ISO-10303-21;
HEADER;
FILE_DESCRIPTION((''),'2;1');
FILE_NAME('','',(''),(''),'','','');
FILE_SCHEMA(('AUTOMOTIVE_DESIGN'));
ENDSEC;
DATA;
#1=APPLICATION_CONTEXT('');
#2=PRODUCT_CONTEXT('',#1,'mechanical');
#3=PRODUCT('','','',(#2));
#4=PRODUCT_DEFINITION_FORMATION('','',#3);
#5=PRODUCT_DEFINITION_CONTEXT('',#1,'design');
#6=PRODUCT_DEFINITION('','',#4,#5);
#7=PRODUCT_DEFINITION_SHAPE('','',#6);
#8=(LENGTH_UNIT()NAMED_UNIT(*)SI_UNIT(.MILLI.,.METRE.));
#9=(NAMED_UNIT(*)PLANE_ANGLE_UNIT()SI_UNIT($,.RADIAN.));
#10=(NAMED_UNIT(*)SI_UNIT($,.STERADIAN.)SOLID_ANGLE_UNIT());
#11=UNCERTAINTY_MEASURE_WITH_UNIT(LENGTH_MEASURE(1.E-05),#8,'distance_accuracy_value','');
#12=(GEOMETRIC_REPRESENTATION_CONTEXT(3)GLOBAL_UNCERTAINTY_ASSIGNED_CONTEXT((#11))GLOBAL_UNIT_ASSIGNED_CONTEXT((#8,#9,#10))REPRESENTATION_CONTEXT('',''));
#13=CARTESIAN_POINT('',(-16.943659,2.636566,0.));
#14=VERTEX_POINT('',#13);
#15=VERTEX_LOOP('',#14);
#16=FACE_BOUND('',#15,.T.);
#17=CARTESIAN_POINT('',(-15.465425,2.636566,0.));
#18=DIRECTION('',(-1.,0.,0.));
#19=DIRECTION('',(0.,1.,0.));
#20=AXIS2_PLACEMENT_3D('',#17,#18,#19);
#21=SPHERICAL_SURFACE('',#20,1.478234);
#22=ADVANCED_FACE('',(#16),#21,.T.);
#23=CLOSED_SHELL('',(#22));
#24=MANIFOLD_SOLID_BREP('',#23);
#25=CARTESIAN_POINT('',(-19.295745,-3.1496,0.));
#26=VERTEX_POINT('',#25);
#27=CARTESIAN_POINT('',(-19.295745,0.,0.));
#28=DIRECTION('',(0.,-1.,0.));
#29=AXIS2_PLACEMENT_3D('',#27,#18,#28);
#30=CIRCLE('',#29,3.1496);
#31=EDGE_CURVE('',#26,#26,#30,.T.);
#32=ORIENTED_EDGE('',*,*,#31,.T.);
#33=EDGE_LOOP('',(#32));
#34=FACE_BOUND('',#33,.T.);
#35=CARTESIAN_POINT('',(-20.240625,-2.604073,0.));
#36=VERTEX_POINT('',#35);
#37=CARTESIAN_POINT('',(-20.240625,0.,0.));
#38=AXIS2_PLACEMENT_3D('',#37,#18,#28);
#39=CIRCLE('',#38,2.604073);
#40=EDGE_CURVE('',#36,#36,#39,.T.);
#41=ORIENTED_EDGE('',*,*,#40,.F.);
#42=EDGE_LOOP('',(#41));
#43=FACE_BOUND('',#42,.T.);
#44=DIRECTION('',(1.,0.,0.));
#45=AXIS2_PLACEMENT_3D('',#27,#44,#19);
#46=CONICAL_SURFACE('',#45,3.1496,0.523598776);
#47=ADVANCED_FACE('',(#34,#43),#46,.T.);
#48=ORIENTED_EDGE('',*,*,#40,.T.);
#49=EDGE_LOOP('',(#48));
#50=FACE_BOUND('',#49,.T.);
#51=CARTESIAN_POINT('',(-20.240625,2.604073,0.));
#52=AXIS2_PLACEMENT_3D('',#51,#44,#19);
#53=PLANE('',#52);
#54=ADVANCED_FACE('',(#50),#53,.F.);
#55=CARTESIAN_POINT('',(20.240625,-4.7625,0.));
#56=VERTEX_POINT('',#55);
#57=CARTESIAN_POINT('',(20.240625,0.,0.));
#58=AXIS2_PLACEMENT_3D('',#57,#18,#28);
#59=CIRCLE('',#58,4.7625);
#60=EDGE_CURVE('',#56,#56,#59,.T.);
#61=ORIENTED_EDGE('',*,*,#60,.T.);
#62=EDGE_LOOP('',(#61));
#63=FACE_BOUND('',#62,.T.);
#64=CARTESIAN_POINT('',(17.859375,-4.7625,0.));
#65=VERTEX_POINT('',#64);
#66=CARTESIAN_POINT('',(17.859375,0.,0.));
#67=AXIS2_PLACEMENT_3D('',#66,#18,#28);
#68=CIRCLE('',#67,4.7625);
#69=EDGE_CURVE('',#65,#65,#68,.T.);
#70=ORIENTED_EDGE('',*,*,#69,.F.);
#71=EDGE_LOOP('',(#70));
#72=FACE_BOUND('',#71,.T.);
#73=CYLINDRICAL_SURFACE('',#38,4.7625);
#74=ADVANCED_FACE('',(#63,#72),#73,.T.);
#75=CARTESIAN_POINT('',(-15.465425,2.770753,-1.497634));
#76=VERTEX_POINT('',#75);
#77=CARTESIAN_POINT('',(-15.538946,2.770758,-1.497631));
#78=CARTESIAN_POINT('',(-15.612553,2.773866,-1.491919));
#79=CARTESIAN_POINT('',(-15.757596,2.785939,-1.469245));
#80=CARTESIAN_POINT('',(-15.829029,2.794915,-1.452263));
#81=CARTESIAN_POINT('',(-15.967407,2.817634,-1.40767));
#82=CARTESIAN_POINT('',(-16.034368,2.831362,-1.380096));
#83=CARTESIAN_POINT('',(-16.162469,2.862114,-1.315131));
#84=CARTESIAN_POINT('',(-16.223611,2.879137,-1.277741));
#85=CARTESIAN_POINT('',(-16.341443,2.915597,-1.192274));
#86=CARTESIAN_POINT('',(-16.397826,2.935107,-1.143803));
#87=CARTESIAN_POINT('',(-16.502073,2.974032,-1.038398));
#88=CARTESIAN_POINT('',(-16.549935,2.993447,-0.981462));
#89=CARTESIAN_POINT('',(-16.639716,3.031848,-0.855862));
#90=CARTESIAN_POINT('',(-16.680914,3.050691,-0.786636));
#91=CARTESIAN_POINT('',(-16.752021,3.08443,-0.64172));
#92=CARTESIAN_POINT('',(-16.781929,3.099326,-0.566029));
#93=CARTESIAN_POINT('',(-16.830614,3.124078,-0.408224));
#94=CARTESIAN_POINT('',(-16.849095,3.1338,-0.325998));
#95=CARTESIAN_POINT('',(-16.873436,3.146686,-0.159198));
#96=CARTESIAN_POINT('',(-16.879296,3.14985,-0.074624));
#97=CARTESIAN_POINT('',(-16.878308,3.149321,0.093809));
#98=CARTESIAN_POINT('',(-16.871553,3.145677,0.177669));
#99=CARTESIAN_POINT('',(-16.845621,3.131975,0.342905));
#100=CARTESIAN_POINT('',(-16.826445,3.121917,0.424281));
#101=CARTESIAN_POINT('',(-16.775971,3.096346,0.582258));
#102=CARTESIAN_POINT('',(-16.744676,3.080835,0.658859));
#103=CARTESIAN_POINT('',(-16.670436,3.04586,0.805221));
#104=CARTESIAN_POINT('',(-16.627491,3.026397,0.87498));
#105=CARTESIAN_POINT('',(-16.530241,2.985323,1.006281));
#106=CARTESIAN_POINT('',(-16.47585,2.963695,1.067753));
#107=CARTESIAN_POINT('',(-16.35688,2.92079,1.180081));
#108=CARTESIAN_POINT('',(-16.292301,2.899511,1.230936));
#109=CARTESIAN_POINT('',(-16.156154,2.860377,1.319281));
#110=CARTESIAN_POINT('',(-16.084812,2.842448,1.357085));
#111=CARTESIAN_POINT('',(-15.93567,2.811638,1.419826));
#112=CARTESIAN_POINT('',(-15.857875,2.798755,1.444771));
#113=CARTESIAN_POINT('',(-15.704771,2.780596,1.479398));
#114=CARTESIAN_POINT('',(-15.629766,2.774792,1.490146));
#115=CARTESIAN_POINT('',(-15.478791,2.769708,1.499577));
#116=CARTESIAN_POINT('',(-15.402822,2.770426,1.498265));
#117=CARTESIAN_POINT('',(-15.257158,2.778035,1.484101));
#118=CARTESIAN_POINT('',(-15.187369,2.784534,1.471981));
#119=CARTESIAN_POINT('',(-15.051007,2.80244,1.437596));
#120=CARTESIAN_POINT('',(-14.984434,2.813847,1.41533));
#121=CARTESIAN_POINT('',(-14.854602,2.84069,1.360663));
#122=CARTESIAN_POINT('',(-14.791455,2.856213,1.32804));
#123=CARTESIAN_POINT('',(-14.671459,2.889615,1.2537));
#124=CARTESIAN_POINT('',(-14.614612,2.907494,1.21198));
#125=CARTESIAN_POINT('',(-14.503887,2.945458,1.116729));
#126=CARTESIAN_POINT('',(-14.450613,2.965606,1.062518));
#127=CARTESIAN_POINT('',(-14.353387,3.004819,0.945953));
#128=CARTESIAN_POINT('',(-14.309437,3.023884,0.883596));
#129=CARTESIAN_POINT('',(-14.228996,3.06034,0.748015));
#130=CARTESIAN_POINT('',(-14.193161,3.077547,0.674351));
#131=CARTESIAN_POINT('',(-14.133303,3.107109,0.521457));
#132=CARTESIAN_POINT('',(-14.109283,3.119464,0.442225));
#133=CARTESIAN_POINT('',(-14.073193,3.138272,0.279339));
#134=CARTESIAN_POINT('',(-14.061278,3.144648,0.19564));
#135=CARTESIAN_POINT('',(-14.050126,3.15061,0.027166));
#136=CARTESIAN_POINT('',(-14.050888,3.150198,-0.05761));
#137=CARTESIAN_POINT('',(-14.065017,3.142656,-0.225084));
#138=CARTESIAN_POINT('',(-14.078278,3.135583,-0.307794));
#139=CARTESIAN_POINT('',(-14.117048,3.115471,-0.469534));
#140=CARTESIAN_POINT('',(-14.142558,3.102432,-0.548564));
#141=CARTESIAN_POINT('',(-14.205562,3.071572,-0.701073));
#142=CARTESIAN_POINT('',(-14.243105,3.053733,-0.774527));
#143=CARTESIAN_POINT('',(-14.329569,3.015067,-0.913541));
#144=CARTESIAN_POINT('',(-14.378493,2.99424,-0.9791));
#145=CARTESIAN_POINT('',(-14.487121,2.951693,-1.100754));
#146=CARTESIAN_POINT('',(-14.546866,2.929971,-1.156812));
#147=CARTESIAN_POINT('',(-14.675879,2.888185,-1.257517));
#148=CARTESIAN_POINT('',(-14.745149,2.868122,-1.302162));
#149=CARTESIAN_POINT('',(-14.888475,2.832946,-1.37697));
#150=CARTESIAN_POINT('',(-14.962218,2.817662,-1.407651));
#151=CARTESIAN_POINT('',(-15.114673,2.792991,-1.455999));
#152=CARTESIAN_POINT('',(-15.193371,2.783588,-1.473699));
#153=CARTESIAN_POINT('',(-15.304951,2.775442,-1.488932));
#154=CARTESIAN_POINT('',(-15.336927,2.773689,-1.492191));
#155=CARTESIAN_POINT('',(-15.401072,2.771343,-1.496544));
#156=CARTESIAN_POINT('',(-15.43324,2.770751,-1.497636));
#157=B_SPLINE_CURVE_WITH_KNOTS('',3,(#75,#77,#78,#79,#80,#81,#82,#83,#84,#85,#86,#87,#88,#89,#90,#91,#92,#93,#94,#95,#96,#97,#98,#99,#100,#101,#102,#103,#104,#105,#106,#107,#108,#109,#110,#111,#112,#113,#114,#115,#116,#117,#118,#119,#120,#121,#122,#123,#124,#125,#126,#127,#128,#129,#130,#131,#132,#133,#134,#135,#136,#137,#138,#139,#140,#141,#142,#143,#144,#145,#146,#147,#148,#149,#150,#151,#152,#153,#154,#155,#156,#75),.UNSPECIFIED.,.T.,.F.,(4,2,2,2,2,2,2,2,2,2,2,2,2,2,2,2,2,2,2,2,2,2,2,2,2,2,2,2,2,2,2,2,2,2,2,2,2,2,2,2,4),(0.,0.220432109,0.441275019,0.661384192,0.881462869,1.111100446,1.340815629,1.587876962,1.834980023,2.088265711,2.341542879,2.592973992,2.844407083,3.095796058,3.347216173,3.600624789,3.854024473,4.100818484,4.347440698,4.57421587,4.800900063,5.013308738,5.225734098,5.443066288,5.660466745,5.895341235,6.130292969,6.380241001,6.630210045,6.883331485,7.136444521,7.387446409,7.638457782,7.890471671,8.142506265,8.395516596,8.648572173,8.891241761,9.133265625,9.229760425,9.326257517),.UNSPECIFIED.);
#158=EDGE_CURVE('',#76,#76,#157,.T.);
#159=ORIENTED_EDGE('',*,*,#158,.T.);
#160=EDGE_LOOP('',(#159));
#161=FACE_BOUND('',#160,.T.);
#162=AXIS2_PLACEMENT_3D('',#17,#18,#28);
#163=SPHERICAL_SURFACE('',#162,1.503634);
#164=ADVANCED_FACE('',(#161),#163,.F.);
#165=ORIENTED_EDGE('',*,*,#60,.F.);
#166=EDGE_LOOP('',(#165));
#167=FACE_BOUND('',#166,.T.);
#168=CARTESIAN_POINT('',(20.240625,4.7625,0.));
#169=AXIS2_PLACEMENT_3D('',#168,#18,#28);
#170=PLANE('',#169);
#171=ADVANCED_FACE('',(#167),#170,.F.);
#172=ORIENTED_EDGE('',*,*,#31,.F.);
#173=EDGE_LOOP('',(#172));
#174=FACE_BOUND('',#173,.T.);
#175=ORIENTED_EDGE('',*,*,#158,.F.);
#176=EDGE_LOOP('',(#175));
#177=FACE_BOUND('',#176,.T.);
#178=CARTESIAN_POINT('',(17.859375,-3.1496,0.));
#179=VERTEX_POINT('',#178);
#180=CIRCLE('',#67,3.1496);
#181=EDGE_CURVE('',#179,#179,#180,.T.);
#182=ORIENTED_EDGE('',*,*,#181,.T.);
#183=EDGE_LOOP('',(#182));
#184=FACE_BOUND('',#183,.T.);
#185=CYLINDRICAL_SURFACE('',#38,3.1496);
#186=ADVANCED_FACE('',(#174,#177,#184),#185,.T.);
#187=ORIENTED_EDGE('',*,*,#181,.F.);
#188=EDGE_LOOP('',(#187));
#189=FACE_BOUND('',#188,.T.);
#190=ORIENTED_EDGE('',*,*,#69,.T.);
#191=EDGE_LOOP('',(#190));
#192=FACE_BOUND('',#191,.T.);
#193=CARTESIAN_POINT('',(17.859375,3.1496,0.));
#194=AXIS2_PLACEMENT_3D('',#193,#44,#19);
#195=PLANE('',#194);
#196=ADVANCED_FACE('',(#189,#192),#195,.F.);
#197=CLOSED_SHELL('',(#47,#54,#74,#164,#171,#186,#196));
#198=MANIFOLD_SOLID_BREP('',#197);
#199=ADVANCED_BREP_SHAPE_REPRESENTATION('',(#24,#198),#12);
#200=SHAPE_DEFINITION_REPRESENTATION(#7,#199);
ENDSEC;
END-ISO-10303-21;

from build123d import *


with BuildPart() as part:
    # Sketch1 → Revolve1 (revolve)
    with BuildSketch(Plane.XY, mode=Mode.PRIVATE) as revolve1_sk:
        Polygon((20.240625, 4.7625), (17.859375, 4.7625), (17.859375, 3.1496), (-19.295745, 3.1496), (-20.240625, 2.604073278), (-20.240625, 0), (20.240625, 0), align=None)
    revolve(revolve1_sk.sketch.rotate(Axis((-20.240625, 0, 0), (1, 0, 0)), 180), axis=Axis((-20.240625, 0, 0), (1, 0, 0)))

    # Sketch2 → Cut-Revolve1 (revolve, cut)
    with BuildSketch(Plane.XY):
        with BuildLine():
            Line((-13.961791201, 2.636566201), (-16.969058799, 2.636566201))
            ThreePointArc((-16.969058799, 2.636566201), (-15.465425, 4.1402), (-13.961791201, 2.636566201))
        make_face()
    revolve(axis=Axis((-13.961791201, 2.636566201, 0), (1, 0, 0)), mode=Mode.SUBTRACT)


with BuildPart() as body_2:
    # Sketch3 → Revolve2 (revolve)
    with BuildSketch(Plane.XY):
        with BuildLine():
            Line((-13.987191201, 2.636566201), (-16.943658799, 2.636566201))
            ThreePointArc((-16.943658799, 2.636566201), (-15.465425, 4.1148), (-13.987191201, 2.636566201))
        make_face()
    revolve(axis=Axis((-13.987191201, 2.636566201, 0), (1, 0, 0)))


solid = Compound([part.part, body_2.part])
